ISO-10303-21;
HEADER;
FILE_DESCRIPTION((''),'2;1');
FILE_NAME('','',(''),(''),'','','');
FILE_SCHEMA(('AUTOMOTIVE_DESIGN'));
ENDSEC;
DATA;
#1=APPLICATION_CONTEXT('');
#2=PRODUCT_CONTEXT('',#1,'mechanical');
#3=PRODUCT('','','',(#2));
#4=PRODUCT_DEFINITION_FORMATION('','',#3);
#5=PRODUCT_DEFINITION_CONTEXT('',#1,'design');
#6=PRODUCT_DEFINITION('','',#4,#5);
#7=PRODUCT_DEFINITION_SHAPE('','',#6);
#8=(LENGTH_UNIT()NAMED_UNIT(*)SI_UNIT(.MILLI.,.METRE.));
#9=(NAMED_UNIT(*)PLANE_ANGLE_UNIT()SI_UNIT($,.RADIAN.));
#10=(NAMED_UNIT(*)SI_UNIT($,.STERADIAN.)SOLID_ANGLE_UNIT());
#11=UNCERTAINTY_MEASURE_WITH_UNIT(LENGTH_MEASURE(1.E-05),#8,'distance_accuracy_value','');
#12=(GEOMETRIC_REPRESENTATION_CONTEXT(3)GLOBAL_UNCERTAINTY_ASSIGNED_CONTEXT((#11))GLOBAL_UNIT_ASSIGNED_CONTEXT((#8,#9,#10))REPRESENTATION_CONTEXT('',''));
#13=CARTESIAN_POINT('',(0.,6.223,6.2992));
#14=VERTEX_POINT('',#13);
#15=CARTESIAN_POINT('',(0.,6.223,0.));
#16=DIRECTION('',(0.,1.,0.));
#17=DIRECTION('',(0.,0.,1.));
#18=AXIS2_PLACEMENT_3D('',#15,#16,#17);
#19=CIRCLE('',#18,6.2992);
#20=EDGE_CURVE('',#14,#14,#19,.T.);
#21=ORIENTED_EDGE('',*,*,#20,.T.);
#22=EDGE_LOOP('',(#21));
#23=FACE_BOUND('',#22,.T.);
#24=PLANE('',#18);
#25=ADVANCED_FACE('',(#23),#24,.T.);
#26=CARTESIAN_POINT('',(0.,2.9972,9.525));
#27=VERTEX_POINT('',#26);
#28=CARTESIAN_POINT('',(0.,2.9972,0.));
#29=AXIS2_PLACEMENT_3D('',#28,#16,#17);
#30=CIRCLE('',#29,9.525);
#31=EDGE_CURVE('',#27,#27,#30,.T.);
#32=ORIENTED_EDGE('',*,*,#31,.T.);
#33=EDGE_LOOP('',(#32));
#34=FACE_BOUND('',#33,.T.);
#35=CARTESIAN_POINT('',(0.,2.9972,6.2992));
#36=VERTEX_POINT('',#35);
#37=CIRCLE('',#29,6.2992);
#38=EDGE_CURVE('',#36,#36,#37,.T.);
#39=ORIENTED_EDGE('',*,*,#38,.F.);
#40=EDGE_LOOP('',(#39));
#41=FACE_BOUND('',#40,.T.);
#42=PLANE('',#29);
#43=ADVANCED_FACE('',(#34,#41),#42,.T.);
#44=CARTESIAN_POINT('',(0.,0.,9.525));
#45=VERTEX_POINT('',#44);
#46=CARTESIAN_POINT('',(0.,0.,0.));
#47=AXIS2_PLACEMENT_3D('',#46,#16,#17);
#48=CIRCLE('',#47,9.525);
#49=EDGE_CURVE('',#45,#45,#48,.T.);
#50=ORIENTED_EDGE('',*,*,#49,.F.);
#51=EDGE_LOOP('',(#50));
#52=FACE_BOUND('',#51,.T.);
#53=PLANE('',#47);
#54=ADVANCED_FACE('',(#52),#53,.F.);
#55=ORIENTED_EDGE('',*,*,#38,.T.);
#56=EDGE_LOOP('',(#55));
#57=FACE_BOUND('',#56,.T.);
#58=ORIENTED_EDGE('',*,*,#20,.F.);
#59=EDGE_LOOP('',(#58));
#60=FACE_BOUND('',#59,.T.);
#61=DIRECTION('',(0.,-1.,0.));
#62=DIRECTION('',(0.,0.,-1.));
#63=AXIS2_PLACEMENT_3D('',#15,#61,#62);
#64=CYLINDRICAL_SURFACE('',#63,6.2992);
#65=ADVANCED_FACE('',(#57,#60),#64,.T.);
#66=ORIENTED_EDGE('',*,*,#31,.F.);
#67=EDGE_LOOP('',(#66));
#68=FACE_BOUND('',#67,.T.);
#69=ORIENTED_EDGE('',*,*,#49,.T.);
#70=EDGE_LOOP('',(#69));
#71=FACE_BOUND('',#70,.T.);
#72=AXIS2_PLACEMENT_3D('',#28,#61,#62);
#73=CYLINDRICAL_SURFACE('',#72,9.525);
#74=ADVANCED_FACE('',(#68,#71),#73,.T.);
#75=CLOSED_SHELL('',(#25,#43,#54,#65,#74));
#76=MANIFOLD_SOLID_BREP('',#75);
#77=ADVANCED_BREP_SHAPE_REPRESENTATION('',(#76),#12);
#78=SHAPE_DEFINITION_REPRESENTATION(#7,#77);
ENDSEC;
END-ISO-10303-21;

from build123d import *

# Parameters (mm, degrees)
SKETCH1_R           = 9.525
BOSS_EXTRUDE1_DEPTH = 2.9972
SKETCH2_R           = 6.2992
BOSS_EXTRUDE2_DEPTH = 3.2258


with BuildPart() as part:
    # Sketch1 → Boss-Extrude1 (new body)
    with BuildSketch(Plane(origin=(0, 0, 0), x_dir=(1, 0, 0), z_dir=(0, 1, 0))):
        Circle(SKETCH1_R)
    extrude(amount=BOSS_EXTRUDE1_DEPTH)

    # Sketch2 → Boss-Extrude2 (add)
    with BuildSketch(Plane(origin=(0, 2.9972, 0), x_dir=(1, 0, 0), z_dir=(0, 1, 0))):
        Circle(SKETCH2_R)
    extrude(amount=BOSS_EXTRUDE2_DEPTH)


solid = part.part
